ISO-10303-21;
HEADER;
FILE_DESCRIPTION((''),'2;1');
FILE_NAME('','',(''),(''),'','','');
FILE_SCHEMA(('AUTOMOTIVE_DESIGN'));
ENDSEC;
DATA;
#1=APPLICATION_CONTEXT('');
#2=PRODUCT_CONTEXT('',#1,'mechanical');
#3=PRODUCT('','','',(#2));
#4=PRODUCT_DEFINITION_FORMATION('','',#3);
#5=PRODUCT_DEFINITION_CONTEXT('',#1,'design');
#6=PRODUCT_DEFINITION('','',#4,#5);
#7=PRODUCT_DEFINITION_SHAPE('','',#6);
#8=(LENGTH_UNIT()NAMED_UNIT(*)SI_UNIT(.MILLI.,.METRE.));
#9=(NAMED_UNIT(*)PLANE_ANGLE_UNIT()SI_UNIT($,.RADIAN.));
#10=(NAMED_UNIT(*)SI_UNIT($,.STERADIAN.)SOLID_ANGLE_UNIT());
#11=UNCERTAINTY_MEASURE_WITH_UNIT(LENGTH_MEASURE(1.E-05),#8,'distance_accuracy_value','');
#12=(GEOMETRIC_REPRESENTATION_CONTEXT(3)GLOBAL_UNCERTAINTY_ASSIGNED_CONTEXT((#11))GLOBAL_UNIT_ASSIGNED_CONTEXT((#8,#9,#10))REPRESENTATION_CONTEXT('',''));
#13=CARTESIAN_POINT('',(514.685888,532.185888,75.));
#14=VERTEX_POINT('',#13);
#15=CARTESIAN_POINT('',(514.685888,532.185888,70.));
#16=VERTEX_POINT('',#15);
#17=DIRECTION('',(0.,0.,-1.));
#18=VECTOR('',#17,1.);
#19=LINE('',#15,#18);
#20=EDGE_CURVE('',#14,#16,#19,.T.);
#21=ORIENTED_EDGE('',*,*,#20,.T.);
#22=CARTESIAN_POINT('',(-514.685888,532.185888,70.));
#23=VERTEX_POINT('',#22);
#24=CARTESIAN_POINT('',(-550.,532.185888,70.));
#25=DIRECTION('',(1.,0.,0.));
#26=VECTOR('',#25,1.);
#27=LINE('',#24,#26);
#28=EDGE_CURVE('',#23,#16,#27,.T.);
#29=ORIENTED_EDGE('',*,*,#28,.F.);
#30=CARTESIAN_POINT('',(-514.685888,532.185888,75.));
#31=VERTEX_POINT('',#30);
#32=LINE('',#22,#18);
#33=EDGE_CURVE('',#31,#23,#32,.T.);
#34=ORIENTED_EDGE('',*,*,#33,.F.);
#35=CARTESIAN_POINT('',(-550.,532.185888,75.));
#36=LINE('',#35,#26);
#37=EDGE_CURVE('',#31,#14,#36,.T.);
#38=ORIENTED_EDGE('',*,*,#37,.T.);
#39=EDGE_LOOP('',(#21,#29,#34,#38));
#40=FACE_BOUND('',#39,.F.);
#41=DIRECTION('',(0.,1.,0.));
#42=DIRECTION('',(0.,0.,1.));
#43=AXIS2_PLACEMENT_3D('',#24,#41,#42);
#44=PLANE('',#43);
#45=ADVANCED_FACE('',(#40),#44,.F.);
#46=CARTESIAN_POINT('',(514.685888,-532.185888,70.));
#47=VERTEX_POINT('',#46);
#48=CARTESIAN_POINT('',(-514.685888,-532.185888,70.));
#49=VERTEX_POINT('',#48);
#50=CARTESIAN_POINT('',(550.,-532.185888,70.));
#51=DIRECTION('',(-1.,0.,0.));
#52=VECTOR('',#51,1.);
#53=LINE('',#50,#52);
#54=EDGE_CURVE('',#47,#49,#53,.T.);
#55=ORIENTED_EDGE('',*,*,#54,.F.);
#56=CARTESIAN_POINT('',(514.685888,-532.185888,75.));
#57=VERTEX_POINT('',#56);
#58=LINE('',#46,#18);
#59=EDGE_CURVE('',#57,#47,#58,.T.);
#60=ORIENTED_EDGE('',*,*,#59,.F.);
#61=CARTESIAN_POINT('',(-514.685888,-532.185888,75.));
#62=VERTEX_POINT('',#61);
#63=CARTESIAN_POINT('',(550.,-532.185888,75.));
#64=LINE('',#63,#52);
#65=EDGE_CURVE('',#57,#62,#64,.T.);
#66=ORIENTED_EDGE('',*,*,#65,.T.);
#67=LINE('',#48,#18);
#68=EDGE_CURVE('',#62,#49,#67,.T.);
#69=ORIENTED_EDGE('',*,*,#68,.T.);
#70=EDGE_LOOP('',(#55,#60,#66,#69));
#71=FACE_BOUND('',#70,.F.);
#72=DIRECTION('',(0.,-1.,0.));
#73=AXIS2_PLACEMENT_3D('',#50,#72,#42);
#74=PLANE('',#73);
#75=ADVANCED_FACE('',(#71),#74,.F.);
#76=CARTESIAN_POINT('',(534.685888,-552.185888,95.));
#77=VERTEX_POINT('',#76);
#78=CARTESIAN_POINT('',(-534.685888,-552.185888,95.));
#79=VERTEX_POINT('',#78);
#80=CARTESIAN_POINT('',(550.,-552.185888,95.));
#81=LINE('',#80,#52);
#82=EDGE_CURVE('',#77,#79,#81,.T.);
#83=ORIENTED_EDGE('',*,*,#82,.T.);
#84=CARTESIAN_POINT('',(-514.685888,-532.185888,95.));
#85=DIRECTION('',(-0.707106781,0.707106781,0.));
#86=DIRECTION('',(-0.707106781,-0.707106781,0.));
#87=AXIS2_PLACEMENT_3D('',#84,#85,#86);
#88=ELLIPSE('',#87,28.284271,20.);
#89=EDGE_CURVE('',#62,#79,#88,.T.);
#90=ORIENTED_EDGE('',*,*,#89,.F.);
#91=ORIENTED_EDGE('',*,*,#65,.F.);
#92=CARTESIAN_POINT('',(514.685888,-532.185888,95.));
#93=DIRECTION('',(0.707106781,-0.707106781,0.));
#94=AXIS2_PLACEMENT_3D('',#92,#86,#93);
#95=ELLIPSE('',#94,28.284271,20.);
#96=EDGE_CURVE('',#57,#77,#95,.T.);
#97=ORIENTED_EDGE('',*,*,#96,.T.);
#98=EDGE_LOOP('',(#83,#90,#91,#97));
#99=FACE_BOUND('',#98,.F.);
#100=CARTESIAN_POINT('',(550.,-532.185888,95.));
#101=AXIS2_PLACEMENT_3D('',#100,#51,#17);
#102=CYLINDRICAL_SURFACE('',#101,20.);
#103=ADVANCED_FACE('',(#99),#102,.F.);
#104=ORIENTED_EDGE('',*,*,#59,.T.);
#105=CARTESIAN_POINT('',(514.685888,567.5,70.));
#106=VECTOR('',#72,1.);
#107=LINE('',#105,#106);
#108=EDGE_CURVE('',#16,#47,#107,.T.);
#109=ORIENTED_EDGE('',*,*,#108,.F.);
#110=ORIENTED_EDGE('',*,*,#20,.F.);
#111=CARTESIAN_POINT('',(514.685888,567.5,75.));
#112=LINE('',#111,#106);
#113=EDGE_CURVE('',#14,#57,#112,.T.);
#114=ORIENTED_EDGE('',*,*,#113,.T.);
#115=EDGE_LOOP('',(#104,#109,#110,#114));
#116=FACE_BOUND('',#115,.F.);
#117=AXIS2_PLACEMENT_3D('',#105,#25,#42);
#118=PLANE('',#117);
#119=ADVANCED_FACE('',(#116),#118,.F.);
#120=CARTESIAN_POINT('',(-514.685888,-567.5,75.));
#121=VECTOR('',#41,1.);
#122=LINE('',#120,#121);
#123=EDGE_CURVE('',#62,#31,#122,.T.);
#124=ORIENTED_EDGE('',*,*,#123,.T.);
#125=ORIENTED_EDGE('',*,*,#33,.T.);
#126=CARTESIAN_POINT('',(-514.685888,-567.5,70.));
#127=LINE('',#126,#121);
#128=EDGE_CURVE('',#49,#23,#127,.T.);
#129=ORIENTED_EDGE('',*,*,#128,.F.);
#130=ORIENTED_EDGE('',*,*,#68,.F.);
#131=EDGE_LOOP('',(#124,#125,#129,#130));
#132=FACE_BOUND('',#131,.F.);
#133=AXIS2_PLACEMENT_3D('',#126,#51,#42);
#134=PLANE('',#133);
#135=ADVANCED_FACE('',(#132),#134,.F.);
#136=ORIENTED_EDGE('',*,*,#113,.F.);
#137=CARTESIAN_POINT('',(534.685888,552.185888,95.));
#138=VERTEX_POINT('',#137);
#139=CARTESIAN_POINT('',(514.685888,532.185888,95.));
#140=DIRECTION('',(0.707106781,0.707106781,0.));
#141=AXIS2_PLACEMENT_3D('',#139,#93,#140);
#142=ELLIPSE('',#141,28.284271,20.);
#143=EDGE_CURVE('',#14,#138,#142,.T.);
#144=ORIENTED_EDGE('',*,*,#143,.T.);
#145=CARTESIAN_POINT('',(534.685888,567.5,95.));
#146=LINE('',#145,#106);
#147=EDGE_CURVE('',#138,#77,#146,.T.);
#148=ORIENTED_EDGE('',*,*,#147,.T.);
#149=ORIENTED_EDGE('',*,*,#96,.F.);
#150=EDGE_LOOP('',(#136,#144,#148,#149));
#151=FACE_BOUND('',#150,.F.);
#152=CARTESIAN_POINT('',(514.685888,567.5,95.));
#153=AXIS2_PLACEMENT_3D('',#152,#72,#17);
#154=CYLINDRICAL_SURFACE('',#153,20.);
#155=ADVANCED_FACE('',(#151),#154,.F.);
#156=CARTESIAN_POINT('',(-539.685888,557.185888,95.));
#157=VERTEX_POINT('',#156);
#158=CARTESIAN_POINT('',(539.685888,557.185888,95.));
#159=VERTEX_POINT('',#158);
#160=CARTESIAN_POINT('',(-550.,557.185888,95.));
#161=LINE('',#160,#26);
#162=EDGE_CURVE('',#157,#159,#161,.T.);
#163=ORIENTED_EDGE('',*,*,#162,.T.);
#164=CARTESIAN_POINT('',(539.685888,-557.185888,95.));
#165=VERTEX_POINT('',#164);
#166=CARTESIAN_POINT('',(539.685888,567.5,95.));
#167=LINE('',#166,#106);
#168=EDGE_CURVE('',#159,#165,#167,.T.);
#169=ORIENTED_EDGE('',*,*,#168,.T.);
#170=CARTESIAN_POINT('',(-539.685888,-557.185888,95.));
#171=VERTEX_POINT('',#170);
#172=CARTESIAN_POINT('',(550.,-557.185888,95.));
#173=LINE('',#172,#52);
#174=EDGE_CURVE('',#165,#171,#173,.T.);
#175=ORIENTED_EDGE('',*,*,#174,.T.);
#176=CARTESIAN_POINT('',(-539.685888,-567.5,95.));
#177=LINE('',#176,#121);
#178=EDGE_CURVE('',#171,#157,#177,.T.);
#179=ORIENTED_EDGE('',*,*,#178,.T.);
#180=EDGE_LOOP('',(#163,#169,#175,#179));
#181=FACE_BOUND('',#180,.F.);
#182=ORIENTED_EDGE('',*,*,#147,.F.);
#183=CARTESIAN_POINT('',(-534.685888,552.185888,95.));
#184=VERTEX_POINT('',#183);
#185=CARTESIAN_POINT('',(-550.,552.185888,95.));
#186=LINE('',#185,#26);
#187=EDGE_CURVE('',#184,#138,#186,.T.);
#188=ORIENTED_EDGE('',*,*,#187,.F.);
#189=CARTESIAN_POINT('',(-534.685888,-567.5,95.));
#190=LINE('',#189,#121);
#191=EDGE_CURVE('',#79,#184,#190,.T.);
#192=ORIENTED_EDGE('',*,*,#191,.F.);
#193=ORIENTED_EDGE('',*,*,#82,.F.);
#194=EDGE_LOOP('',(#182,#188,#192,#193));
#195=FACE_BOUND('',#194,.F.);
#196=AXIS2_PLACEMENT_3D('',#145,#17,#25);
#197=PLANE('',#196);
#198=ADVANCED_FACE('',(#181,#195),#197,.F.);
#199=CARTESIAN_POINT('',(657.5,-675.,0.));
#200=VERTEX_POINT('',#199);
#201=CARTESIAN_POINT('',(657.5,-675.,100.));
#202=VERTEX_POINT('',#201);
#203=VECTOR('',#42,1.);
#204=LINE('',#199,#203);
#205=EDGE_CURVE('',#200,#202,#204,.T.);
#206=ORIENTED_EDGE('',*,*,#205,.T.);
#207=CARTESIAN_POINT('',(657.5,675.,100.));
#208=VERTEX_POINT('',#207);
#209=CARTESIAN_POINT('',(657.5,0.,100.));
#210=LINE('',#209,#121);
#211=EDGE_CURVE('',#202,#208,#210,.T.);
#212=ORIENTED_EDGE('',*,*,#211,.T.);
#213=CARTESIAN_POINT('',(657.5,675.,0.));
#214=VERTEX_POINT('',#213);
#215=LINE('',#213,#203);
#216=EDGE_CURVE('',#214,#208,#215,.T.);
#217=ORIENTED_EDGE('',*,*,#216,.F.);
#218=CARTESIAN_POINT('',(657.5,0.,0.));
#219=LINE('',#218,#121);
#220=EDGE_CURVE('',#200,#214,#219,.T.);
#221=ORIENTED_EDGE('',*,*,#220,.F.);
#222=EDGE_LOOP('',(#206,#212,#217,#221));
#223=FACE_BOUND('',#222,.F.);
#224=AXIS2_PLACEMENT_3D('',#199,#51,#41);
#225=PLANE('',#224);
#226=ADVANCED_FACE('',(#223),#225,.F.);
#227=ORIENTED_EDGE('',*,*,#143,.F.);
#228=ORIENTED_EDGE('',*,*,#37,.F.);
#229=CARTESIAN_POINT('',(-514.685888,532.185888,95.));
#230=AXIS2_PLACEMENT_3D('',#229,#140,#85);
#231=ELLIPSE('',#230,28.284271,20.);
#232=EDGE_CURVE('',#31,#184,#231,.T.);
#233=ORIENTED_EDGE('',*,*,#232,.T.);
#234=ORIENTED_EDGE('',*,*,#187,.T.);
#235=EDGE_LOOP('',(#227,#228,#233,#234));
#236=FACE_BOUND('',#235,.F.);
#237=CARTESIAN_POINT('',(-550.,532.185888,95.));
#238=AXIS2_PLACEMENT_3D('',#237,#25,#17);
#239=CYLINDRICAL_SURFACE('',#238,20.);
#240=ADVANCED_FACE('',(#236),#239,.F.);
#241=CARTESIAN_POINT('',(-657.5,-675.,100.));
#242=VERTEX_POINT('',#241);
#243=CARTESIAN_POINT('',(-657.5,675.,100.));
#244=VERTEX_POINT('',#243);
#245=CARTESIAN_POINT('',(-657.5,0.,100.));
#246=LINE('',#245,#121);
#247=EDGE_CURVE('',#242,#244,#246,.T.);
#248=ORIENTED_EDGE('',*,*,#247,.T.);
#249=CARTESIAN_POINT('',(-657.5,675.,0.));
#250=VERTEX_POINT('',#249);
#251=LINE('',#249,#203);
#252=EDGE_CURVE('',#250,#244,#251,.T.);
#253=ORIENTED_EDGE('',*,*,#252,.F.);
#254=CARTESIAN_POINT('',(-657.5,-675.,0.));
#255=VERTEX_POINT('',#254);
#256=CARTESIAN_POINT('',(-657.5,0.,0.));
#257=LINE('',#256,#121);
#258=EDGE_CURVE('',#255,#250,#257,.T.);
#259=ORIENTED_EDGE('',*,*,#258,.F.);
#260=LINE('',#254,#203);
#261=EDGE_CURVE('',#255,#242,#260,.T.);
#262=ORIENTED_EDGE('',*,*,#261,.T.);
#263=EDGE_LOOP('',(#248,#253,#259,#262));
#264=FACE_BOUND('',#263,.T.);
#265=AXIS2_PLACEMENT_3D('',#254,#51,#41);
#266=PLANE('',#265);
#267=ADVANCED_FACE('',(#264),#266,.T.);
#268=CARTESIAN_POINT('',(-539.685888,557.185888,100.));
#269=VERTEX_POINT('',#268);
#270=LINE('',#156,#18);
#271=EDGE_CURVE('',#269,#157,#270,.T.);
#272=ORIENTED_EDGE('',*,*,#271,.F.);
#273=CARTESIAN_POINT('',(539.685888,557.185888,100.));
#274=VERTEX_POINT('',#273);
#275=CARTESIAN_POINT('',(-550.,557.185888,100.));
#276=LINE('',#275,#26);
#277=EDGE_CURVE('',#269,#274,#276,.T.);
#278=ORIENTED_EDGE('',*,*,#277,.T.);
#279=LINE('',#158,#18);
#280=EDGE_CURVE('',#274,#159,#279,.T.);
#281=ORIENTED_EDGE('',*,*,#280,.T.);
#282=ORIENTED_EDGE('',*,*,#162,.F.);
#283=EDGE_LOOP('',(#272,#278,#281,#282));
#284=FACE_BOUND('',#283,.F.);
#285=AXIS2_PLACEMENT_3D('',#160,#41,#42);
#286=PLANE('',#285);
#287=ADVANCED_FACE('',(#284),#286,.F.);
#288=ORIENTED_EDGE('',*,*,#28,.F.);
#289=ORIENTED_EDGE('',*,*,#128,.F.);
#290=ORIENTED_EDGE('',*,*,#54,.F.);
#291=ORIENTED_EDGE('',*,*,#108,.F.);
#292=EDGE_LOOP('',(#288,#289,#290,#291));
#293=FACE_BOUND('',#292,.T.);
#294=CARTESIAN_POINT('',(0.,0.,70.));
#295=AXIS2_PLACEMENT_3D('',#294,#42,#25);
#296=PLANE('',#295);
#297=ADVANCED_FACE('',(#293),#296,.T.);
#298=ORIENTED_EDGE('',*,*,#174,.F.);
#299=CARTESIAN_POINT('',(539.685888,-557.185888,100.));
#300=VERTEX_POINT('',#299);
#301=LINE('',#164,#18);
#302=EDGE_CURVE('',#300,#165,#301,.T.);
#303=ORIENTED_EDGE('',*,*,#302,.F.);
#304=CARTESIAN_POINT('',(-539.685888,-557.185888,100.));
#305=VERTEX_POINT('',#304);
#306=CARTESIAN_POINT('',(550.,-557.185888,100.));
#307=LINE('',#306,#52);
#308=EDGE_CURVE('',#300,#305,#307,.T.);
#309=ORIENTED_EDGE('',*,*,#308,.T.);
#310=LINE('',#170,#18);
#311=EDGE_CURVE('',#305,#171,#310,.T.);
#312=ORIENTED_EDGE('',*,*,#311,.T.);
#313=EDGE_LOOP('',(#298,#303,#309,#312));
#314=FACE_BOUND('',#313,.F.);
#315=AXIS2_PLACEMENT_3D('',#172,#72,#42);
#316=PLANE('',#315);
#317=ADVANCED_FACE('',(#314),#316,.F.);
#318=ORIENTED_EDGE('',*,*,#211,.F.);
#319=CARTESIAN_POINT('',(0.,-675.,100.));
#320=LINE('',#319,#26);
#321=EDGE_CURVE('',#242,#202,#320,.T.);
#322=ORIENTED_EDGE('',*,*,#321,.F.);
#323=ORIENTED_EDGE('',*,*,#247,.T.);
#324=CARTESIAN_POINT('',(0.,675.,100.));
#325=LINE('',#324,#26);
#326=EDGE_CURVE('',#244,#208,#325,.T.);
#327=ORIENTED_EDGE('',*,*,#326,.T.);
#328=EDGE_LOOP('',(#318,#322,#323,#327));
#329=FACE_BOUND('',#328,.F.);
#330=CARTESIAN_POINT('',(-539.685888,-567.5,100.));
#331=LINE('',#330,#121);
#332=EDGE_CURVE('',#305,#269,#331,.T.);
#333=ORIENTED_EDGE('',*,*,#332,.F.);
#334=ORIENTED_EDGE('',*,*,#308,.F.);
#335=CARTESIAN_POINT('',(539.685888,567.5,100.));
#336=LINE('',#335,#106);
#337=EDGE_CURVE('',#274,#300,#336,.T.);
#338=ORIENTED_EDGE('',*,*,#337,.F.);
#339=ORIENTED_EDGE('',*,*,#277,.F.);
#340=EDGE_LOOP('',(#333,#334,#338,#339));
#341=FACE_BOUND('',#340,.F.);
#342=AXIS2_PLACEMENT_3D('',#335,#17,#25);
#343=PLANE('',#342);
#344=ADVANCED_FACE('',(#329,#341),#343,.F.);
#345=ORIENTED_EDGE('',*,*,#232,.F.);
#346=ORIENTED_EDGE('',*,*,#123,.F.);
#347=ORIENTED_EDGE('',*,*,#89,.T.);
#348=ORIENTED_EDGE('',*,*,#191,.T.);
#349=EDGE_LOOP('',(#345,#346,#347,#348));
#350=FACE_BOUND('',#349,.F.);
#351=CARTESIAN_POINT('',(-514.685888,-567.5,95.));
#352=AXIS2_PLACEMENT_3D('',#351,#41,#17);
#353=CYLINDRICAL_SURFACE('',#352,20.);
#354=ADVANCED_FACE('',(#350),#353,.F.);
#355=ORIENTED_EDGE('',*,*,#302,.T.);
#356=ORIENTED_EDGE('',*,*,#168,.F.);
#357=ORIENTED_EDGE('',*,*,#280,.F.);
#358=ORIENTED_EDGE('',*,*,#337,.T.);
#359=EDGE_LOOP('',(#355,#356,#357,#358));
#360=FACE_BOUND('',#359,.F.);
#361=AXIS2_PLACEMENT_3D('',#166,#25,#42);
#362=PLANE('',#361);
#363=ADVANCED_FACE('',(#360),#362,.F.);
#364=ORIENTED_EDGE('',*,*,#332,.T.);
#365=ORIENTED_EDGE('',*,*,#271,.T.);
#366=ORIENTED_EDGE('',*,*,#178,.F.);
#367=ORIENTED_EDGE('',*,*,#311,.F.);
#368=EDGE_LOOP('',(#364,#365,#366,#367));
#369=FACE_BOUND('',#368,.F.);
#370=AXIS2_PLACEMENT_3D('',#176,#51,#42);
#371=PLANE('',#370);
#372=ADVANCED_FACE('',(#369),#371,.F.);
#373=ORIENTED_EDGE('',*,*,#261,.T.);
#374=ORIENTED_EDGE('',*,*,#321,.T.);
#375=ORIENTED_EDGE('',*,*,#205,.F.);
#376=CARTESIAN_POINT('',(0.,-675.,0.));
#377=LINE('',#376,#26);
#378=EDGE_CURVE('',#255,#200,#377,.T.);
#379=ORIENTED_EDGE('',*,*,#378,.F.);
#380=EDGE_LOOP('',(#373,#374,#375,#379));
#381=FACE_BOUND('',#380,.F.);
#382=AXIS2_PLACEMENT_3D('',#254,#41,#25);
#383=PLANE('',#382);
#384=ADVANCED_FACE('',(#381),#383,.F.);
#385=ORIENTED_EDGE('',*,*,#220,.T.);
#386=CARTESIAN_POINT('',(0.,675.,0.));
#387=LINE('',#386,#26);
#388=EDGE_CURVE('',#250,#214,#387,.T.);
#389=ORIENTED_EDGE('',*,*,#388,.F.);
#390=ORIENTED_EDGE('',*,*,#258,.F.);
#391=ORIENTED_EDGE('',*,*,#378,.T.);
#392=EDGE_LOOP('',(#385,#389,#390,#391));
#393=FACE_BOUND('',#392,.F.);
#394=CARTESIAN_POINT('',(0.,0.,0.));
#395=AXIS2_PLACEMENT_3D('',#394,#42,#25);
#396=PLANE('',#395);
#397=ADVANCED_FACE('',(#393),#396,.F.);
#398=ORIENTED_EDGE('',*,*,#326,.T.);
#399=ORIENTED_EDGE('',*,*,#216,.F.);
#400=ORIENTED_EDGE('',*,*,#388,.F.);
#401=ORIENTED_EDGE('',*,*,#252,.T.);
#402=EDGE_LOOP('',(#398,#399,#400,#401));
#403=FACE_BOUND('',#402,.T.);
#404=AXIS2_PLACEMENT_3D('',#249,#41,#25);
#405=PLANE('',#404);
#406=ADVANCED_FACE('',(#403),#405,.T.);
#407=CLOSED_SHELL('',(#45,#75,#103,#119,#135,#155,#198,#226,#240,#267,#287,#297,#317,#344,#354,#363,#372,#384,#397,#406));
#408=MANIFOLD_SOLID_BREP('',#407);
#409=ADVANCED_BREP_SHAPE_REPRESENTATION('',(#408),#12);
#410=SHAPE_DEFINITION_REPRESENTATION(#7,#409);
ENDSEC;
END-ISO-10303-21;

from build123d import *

# Parameters (mm, degrees)
F0_W     = 1315
F0_H     = 1350
F1_DEPTH = 100
F2_W     = 1100
F2_H     = 1135
F3_DEPTH = 30


with BuildPart() as f1:
    # F0 (on Top) → F1 (new body)
    with BuildSketch(Plane.XY):
        Rectangle(F0_W, F0_H)
    extrude(amount=F1_DEPTH)

    # F2 (on face) → F3 (cut)
    with BuildSketch(Plane.XY.offset(100)):
        Rectangle(F2_W, F2_H)
    extrude(amount=-F3_DEPTH, mode=Mode.SUBTRACT)

    # F6: sweep along a path in F5
    with BuildLine(Plane.XY.offset(70)) as f6_path:
        Line((550, 567.5), (550, -567.5))
        Line((550, -567.5), (-550, -567.5))
        Line((-550, -567.5), (-550, 567.5))
        Line((-550, 567.5), (550, 567.5))
    # F4 (on Right) → F6 (sweep)
    with BuildSketch(Plane.YZ):
        with BuildLine():
            Line((-567.5, 100), (-567.5, 70))
            Line((-567.5, 70), (-532.1858882904, 70))
            Line((-532.1858882904, 70), (-532.1858882904, 75))
            ThreePointArc((-532.1858882904, 75), (-546.3280239141, 80.8578643763), (-552.1858882904, 95))
            Line((-552.1858882904, 95), (-557.1858882904, 95))
            Line((-557.1858882904, 95), (-557.1858882904, 100))
            Line((-557.1858882904, 100), (-567.5, 100))
        make_face()
    sweep(path=f6_path.line, transition=Transition.RIGHT)


solid = f1.part
